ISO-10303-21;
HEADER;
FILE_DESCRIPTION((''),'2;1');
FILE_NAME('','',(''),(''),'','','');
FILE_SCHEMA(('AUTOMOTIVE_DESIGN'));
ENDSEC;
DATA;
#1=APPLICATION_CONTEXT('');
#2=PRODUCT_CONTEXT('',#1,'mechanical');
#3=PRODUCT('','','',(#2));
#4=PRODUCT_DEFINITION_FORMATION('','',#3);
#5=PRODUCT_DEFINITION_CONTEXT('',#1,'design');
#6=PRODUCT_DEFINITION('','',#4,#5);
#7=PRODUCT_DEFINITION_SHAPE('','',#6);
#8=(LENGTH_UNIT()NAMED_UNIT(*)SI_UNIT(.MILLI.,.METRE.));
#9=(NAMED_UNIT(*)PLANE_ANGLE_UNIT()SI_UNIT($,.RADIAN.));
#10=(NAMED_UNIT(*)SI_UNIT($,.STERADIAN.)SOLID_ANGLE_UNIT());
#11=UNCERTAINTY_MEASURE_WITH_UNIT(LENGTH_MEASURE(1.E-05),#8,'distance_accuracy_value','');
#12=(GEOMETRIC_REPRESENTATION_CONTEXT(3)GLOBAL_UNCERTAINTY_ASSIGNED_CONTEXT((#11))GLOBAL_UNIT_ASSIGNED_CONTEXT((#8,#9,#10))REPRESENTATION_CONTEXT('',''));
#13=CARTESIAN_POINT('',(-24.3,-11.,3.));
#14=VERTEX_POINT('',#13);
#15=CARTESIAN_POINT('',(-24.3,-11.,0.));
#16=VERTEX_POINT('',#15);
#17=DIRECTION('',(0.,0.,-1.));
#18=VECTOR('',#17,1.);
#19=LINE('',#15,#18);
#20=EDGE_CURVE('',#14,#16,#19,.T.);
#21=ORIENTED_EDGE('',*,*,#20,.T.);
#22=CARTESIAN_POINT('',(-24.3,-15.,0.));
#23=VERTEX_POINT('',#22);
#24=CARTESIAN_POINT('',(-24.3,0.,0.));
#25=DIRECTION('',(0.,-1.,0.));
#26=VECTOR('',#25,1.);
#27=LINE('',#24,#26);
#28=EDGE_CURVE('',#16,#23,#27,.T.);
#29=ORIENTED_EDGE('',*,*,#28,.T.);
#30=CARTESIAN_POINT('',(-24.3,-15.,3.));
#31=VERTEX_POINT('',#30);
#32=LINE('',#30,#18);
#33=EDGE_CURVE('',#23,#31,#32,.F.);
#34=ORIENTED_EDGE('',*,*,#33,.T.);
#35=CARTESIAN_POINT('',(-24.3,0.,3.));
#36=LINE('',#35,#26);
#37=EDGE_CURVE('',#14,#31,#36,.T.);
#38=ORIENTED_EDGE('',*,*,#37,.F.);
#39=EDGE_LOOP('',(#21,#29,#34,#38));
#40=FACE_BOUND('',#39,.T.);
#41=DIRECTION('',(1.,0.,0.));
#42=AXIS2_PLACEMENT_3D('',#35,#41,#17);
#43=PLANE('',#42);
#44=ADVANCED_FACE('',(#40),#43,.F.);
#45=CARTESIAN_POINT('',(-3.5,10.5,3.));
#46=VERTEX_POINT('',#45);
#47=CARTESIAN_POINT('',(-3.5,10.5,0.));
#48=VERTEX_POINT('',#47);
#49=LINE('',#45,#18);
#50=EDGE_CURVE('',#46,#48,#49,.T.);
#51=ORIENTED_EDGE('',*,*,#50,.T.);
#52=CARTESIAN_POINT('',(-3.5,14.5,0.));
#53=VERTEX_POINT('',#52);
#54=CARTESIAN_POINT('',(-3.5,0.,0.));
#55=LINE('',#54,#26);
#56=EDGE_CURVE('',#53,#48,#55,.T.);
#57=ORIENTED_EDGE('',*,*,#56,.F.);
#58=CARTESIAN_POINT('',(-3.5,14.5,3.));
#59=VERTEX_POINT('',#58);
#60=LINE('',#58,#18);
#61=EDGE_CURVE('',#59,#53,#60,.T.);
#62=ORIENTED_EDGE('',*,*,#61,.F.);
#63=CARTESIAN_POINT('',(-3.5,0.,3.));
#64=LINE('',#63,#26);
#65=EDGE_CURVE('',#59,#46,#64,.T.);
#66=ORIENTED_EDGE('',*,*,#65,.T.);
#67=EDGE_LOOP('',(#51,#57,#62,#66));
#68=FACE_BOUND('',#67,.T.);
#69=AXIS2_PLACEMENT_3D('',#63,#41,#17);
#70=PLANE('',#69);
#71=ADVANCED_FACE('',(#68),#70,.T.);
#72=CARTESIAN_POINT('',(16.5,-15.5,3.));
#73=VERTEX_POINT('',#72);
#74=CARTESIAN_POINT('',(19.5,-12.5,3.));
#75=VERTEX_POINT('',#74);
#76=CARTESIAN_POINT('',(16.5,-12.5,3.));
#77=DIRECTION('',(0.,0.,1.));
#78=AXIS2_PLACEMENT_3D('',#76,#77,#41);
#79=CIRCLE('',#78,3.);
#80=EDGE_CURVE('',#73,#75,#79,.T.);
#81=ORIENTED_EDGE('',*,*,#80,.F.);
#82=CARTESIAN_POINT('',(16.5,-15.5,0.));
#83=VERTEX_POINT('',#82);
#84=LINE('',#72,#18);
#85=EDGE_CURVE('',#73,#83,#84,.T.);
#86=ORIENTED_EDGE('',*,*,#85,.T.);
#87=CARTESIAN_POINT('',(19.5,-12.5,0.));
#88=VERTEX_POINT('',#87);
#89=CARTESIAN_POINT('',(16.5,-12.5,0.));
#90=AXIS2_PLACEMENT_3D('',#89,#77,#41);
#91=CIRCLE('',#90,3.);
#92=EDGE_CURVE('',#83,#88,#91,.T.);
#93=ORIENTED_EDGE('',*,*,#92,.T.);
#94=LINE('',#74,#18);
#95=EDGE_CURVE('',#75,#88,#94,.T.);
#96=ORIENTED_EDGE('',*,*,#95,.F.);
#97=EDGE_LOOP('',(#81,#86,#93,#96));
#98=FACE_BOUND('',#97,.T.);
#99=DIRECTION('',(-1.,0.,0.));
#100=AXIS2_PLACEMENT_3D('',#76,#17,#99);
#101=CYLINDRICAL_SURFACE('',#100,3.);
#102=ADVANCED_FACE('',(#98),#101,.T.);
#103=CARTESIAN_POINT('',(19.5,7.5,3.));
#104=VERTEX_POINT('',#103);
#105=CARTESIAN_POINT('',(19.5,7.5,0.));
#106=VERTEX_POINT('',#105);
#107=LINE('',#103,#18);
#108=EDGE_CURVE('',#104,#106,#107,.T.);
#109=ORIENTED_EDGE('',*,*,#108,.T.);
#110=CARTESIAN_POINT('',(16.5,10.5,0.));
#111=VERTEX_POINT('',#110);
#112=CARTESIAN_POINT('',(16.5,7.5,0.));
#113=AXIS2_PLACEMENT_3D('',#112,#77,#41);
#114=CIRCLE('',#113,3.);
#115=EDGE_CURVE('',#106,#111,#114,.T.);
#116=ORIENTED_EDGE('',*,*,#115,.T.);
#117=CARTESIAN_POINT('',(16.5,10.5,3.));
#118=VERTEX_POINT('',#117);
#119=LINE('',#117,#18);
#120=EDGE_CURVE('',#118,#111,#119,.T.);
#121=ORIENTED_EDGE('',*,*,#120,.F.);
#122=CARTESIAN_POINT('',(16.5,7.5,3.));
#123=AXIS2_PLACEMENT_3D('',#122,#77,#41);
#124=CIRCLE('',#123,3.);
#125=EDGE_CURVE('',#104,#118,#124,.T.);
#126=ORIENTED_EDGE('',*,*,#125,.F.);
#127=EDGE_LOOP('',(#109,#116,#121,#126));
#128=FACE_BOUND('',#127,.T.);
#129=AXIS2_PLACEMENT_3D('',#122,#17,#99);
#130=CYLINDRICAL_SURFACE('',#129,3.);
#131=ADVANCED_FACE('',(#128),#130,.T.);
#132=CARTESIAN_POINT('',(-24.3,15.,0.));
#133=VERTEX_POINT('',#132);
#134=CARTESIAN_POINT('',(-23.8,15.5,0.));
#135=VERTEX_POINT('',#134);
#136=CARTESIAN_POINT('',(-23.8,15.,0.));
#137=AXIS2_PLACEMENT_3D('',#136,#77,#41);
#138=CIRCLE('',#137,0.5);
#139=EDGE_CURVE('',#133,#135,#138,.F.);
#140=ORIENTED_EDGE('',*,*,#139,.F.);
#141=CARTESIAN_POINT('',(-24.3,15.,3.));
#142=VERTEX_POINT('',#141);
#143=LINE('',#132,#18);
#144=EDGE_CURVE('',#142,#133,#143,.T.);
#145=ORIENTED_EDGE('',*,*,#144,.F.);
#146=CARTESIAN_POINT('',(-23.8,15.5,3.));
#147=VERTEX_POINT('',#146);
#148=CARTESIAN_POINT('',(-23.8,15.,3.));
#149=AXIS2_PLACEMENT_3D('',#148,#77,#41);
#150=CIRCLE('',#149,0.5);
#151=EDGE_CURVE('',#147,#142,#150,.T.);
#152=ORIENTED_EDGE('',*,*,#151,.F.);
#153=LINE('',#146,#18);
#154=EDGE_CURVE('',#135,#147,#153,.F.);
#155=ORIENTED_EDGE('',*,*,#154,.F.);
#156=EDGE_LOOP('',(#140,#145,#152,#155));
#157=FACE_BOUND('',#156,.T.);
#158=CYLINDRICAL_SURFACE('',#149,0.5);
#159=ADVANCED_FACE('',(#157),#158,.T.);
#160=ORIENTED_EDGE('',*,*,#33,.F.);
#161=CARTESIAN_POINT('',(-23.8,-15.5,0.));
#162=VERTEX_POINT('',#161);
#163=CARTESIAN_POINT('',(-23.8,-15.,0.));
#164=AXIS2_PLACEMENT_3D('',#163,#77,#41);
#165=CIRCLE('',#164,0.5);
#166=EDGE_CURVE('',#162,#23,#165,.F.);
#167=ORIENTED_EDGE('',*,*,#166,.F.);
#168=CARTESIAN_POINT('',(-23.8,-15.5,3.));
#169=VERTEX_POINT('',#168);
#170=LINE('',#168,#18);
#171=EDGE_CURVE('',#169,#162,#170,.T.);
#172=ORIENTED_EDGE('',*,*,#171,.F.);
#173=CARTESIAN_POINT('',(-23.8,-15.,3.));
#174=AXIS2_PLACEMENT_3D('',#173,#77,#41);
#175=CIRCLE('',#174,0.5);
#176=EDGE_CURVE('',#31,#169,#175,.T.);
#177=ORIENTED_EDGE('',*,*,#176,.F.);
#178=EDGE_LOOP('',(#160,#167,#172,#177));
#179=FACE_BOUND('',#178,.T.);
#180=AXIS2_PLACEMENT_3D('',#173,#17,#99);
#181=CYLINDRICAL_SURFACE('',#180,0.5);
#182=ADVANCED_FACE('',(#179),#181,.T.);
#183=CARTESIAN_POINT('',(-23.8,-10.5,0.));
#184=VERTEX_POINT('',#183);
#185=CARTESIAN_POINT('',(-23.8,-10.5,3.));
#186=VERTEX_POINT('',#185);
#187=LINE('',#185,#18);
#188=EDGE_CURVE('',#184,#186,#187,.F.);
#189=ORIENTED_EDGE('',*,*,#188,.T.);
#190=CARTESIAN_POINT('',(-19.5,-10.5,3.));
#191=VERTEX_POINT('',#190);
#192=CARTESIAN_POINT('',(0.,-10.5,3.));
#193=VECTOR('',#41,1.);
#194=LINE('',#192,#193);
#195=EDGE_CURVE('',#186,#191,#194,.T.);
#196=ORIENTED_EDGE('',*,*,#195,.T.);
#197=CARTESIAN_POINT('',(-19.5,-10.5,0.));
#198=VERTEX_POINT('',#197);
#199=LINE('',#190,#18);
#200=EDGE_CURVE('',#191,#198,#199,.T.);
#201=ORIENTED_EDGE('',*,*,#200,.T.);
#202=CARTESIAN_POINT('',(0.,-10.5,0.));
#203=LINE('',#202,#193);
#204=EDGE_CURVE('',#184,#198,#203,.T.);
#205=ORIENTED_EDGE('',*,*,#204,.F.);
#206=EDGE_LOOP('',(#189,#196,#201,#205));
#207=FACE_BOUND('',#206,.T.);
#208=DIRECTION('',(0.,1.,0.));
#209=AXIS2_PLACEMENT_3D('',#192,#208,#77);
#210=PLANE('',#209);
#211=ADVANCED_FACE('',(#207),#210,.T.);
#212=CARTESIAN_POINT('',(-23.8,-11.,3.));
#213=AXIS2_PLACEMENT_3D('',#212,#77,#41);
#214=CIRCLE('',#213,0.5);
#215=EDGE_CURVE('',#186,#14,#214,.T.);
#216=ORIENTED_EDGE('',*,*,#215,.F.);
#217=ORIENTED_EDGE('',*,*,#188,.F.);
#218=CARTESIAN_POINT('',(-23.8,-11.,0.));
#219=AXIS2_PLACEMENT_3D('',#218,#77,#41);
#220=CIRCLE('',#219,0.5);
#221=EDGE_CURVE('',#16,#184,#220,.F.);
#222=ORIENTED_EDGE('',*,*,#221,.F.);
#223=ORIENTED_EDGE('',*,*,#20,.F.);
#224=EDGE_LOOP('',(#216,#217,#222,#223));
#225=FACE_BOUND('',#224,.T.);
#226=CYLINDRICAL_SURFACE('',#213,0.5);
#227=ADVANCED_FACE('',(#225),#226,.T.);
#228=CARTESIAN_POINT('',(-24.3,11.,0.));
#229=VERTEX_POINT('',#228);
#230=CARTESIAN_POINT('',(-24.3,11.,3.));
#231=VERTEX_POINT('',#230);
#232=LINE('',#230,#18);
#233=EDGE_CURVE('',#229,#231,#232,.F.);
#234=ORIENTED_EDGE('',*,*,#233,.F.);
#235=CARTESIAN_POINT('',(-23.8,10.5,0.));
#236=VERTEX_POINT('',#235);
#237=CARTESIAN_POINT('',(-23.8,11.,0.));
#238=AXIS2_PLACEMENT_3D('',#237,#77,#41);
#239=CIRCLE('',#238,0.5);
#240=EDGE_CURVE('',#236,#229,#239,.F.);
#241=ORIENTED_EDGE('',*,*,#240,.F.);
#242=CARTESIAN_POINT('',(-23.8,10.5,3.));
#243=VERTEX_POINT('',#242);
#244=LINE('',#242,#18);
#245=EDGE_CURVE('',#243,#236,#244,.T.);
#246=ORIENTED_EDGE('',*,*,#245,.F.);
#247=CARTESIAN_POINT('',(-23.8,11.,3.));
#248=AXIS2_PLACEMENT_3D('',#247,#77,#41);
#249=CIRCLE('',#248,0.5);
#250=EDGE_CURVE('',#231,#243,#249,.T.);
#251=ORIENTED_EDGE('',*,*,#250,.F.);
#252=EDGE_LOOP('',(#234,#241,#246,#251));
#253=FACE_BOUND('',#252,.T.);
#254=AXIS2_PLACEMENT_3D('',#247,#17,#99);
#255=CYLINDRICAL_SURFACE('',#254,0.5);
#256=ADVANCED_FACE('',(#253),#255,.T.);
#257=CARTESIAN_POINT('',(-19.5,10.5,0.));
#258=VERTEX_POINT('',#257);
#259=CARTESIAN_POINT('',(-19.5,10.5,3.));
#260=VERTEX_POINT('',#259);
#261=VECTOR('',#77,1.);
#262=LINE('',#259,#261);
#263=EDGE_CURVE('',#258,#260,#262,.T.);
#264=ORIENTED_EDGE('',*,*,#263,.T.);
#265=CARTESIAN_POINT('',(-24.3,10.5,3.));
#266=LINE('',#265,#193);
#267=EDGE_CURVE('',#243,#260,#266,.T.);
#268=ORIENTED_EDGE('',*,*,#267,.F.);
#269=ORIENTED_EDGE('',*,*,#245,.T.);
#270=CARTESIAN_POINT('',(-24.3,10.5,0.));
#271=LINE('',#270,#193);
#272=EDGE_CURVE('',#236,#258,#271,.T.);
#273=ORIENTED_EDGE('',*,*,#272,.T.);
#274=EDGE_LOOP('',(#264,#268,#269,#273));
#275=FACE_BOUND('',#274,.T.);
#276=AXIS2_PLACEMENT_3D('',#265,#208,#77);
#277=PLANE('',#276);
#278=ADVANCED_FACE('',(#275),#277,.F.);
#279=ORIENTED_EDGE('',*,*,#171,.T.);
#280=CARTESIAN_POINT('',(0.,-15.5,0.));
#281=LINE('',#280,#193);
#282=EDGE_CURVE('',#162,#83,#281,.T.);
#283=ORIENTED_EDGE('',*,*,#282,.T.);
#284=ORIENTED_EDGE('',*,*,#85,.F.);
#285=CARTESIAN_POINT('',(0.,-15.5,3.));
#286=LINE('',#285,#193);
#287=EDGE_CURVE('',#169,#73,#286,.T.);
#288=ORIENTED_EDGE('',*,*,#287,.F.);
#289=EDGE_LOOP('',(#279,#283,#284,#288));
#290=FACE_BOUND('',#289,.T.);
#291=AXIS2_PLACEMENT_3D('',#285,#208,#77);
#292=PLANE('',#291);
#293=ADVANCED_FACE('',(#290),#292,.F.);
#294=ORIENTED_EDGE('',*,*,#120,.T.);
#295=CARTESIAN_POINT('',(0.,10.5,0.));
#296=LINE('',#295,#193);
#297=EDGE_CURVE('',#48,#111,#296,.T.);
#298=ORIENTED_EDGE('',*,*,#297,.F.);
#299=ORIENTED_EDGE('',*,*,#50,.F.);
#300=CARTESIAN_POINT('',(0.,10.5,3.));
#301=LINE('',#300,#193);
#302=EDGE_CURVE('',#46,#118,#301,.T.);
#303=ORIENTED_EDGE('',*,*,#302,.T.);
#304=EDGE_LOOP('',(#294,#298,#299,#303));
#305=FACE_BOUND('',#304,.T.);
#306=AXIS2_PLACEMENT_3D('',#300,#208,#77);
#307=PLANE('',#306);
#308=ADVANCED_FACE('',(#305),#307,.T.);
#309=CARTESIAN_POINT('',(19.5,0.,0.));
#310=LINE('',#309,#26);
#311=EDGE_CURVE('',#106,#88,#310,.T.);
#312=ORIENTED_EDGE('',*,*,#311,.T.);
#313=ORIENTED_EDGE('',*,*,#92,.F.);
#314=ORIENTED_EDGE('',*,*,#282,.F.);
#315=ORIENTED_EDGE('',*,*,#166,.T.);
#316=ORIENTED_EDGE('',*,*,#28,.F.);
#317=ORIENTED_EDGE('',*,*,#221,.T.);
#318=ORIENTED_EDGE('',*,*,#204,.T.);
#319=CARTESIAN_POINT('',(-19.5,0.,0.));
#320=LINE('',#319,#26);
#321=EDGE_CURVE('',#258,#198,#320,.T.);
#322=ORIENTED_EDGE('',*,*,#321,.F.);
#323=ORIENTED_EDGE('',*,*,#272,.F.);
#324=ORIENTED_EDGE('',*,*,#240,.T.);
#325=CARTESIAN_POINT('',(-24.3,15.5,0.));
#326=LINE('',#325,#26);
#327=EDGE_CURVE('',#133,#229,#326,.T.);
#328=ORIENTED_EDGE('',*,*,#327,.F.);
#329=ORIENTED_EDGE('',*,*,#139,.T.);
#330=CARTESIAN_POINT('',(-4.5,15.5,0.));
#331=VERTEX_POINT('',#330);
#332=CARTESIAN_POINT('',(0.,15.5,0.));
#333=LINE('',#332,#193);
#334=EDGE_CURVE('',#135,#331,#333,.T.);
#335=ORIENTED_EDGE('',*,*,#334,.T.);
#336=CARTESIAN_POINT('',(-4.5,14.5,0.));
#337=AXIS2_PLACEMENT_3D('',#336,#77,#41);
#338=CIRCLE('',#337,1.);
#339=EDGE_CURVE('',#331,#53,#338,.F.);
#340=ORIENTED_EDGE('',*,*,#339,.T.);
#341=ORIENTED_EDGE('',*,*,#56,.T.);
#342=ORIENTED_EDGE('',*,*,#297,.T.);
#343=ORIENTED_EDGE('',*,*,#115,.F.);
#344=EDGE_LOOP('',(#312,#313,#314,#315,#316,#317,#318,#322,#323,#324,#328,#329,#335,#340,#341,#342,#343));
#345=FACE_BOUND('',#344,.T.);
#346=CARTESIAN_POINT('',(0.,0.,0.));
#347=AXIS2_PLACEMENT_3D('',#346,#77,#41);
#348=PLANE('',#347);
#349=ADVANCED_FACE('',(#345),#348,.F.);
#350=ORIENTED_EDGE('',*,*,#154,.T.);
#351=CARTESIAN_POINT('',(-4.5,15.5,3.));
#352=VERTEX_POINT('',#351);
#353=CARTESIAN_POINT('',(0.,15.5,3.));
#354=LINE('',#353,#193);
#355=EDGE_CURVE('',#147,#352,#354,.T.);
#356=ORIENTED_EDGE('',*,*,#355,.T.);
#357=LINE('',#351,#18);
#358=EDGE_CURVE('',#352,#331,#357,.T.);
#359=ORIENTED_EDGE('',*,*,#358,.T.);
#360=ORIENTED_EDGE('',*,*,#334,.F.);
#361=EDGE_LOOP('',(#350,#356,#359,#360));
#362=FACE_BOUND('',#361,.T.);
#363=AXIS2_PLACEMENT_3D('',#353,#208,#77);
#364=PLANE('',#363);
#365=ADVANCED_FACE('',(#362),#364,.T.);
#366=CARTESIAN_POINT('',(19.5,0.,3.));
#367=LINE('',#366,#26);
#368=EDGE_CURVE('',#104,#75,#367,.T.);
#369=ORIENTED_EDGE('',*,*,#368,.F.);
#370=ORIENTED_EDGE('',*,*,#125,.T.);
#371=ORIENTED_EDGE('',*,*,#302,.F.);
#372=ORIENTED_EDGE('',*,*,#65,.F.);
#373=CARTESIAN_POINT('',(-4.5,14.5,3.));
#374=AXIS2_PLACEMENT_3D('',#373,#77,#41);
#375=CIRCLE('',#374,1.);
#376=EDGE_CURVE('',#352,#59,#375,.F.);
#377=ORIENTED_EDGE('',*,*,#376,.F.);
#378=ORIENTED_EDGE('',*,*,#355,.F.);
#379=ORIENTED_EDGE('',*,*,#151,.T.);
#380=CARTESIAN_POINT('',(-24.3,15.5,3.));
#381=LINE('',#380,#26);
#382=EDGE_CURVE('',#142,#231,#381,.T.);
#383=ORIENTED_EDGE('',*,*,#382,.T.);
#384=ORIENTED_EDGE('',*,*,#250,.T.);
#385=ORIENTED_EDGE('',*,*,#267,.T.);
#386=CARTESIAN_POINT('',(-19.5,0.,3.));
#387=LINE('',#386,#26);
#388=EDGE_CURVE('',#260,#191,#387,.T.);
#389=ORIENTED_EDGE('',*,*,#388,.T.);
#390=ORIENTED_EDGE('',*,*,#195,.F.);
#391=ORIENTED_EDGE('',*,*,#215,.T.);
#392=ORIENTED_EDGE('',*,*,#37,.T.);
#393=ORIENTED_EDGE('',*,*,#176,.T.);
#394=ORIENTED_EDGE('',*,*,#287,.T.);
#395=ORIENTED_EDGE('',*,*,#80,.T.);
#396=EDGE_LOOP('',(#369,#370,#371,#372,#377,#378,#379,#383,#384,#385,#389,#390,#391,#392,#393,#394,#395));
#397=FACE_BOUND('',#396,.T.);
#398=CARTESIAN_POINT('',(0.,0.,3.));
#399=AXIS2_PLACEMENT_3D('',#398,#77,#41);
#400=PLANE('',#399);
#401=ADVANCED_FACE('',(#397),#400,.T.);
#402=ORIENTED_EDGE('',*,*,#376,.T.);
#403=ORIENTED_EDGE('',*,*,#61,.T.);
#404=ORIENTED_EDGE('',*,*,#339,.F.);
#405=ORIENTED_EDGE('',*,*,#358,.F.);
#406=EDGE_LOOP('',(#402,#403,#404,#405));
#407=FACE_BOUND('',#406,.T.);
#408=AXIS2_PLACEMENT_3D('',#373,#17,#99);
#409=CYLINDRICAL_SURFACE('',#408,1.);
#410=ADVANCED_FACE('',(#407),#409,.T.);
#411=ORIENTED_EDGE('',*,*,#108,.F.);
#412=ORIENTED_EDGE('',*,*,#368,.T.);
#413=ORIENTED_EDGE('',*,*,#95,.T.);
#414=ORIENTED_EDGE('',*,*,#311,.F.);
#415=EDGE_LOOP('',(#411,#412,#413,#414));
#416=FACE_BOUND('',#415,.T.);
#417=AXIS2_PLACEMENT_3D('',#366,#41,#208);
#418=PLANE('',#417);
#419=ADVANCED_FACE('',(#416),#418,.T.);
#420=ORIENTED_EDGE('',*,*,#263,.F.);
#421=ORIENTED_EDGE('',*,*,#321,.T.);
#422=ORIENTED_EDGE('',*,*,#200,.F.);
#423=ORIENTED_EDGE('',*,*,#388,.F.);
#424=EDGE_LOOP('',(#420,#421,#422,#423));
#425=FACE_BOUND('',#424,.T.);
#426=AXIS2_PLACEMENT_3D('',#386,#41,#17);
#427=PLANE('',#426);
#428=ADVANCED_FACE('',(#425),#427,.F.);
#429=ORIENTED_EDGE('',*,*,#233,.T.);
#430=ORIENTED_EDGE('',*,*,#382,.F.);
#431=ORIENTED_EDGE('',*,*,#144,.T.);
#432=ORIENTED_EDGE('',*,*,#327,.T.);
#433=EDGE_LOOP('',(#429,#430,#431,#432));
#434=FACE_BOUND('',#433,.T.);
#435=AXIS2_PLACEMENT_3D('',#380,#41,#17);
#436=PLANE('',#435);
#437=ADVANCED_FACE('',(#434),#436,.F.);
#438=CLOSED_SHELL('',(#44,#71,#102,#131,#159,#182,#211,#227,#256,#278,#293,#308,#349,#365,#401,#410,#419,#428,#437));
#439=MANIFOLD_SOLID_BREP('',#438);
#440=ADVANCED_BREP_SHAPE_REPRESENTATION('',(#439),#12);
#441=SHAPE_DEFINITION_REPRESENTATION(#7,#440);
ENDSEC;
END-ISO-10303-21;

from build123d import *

# Parameters (mm, degrees)
SKETCH_1_W      = 4.8
SKETCH_1_H      = 5
EXTRUDE_1_DEPTH = 3
FILLET_1_R      = 0.5


with BuildPart() as part:
    # Эскиз1 → Бобышка-Вытянуть1 (new body)
    with BuildSketch(Plane.XY):
        with BuildLine():
            Line((-4.5, 15.5), (-19.5, 15.5))
            Line((-19.5, 15.5), (-19.5, 10.5))
            Line((-19.5, 10.5), (-19.5, -10.5))
            Line((-19.5, -10.5), (-19.5, -15.5))
            Line((-19.5, -15.5), (16.5, -15.5))
            ThreePointArc((16.5, -15.5), (18.621320344, -14.621320344), (19.5, -12.5))
            Line((19.5, -12.5), (19.5, 7.5))
            ThreePointArc((19.5, 7.5), (18.621320344, 9.621320344), (16.5, 10.5))
            Line((16.5, 10.5), (-3.5, 10.5))
            Line((-3.5, 10.5), (-3.5, 14.5))
            ThreePointArc((-3.5, 14.5), (-3.792893219, 15.207106781), (-4.5, 15.5))
        make_face()
        with Locations((-21.9, -13)):
            Rectangle(SKETCH_1_W, SKETCH_1_H)
        with Locations((-21.9, 13)):
            Rectangle(SKETCH_1_W, SKETCH_1_H)
    extrude(amount=EXTRUDE_1_DEPTH)

    # Скругление1
    fillet_1_edges = [part.edges().sort_by_distance(p)[0] for p in [
        (-24.3, -15.5, 1.5),
        (-24.3, -10.5, 1.5),
        (-24.3, 15.5, 1.5),
        (-24.3, 10.5, 1.5),
    ]]
    fillet(fillet_1_edges, radius=FILLET_1_R)


solid = part.part
